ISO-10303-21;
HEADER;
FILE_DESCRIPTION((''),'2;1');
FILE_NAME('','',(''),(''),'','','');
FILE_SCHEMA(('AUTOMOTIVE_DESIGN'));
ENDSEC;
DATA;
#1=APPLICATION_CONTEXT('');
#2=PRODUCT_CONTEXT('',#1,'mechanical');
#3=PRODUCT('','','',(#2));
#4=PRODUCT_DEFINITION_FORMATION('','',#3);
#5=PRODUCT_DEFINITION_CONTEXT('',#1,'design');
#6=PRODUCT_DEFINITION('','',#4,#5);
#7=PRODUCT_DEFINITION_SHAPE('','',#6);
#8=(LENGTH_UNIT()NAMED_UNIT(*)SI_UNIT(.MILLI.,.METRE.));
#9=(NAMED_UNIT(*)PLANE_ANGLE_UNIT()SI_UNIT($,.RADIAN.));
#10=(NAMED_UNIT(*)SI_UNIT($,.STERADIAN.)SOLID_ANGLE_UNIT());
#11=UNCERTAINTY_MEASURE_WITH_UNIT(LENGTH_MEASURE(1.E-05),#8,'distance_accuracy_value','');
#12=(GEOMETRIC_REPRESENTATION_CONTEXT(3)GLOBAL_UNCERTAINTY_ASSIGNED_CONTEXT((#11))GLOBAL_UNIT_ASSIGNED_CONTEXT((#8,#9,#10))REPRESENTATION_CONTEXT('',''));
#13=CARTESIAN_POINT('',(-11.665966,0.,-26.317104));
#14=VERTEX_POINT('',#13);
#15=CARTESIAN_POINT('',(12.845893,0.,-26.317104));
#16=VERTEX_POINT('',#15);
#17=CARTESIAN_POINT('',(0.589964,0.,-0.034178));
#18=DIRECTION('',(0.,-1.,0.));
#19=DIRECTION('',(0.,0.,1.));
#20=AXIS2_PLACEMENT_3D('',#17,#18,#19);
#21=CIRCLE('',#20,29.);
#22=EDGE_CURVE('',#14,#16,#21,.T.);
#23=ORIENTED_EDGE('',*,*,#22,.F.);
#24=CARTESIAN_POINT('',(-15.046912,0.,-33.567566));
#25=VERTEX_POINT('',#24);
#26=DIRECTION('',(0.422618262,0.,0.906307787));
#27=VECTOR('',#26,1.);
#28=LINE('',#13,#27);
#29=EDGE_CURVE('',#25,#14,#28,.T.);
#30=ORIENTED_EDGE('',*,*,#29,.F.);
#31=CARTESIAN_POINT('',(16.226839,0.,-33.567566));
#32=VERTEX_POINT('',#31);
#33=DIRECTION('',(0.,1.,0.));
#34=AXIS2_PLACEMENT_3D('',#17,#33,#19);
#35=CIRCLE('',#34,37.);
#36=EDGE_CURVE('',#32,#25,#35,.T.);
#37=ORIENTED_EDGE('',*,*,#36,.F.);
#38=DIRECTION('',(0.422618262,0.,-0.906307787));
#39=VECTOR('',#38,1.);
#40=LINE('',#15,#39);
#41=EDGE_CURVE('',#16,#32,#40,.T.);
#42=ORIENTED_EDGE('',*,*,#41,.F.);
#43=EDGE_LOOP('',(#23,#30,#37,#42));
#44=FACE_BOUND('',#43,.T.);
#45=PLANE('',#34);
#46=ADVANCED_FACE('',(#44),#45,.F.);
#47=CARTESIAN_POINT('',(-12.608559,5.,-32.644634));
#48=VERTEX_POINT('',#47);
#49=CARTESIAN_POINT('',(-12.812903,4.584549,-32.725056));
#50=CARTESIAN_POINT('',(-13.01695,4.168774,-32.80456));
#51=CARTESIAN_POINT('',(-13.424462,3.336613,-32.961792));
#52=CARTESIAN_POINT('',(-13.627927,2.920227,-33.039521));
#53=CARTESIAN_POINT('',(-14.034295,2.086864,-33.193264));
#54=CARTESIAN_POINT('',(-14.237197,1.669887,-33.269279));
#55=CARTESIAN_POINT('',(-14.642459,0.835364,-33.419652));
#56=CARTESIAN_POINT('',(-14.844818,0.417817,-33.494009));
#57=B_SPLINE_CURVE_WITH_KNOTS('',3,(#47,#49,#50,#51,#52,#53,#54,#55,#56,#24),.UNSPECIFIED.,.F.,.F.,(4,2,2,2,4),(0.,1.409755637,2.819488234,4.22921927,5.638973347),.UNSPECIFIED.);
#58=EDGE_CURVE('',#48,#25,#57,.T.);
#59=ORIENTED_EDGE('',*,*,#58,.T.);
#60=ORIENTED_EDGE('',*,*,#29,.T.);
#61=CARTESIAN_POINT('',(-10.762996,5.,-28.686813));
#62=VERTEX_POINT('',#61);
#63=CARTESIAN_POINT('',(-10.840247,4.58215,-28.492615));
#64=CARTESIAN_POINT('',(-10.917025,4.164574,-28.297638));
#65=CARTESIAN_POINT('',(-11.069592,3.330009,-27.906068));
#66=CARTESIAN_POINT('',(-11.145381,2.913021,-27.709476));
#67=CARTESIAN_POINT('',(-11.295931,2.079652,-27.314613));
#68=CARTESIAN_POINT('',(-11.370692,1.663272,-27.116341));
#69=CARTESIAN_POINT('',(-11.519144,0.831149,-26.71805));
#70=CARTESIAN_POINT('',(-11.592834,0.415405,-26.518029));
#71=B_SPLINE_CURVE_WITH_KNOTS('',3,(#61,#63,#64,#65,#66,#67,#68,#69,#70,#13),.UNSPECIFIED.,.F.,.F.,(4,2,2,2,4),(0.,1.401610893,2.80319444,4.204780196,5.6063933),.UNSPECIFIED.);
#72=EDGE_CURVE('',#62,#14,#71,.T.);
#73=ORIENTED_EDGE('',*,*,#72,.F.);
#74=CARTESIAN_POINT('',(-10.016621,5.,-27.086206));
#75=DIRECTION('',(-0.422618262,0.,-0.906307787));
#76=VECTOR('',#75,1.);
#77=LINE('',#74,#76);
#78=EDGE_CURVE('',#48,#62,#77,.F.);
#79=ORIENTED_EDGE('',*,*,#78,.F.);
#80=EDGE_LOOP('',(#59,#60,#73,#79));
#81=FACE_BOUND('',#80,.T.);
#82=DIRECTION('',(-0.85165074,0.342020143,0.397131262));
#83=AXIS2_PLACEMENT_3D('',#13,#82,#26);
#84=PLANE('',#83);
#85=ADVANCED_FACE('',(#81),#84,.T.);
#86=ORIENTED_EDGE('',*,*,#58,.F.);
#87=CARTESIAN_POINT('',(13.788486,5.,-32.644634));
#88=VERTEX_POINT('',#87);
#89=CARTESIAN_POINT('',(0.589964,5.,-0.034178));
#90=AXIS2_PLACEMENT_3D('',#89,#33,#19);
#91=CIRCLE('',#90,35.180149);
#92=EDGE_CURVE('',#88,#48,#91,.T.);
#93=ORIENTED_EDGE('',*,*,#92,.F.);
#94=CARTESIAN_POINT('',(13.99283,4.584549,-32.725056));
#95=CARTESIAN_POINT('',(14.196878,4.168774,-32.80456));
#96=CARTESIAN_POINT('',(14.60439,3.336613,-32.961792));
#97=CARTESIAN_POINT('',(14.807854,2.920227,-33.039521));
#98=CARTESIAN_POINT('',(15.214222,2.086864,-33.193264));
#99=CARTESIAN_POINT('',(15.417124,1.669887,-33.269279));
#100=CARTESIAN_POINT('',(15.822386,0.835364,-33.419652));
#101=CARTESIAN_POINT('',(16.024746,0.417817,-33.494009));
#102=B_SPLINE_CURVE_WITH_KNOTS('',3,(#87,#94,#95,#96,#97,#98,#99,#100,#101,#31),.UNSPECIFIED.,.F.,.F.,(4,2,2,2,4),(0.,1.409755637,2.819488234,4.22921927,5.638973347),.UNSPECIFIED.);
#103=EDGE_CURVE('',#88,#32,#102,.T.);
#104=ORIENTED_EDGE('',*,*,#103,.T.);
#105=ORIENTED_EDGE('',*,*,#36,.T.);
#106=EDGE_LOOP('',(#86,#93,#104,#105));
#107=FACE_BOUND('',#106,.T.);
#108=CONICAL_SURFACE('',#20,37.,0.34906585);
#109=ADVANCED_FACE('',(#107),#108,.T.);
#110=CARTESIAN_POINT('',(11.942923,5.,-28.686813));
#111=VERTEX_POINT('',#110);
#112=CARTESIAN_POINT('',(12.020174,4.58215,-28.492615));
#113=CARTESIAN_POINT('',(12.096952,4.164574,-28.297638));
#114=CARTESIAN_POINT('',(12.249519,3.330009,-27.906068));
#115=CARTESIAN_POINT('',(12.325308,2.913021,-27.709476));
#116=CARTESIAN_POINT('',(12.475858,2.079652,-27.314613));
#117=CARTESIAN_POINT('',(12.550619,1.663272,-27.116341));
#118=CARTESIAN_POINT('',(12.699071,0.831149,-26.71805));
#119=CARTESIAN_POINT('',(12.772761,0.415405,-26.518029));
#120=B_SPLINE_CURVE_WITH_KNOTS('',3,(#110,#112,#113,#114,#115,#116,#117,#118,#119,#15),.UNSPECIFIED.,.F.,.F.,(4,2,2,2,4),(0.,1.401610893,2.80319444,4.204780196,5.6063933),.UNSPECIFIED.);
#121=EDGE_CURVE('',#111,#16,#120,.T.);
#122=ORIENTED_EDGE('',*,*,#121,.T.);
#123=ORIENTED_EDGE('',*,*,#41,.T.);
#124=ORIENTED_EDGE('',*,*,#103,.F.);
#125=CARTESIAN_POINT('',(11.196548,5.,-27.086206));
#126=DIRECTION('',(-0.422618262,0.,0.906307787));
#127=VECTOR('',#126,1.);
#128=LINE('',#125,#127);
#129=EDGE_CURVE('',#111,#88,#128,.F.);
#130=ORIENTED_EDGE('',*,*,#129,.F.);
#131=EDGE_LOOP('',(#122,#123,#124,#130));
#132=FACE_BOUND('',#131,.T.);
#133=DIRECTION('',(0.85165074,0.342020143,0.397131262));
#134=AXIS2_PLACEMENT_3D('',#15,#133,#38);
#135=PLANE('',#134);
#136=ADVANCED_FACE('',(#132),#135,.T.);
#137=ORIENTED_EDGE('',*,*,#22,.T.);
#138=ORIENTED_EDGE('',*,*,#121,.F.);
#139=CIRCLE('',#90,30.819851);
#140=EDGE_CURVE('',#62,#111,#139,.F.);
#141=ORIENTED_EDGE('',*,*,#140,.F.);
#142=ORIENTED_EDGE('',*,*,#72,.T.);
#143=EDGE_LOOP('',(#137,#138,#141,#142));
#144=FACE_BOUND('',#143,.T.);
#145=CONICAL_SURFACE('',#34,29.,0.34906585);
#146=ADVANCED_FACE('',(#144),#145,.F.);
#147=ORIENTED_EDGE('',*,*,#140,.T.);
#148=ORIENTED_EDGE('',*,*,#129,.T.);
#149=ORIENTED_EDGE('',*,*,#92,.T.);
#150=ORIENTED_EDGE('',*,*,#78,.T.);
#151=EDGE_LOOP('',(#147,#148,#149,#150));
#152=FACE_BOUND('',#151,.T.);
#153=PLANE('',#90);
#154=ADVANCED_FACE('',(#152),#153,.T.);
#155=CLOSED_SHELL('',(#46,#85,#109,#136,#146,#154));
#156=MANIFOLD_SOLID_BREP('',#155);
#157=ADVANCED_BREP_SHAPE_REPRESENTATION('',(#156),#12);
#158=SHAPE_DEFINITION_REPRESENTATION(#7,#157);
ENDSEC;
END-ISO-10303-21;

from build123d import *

# Parameters (mm, degrees)
BOSS_EXTRUDE1_DEPTH = 5
BOSS_EXTRUDE1_DRAFT = 20


with BuildPart() as part:
    # Sketch1 → Boss-Extrude1 (with draft: the straight prism first)
    with BuildSketch(Plane(origin=(0, 0, 0), x_dir=(1, 0, 0), z_dir=(0, 1, 0))):
        with BuildLine():
            ThreePointArc((-11.665966043, 26.317103556), (0.589963547, 29.034177732), (12.845893138, 26.317103556))
            Line((12.845893138, 26.317103556), (16.226839231, 33.567565853))
            ThreePointArc((16.226839231, 33.567565853), (0.589963547, 37.034177732), (-15.046912137, 33.567565853))
            Line((-15.046912137, 33.567565853), (-11.665966043, 26.317103556))
        make_face()
    extrude(amount=BOSS_EXTRUDE1_DEPTH)
    # Boss-Extrude1: the draft: its side faces are tilted about the plane it starts from
    boss_extrude1_sides = [part.faces().sort_by_distance(p)[0] for p in [
        (-13.35643909, 2.5, -29.942334705),
        (0.589963547, 2.5, -29.034177732),
        (14.536366185, 2.5, -29.942334705),
        (0.589963547, 2.5, -37.034177732),
    ]]
    draft(boss_extrude1_sides, Plane(origin=(0, 0, 0), x_dir=(1, 0, 0), z_dir=(0, 1, 0)), BOSS_EXTRUDE1_DRAFT)


solid = part.part
